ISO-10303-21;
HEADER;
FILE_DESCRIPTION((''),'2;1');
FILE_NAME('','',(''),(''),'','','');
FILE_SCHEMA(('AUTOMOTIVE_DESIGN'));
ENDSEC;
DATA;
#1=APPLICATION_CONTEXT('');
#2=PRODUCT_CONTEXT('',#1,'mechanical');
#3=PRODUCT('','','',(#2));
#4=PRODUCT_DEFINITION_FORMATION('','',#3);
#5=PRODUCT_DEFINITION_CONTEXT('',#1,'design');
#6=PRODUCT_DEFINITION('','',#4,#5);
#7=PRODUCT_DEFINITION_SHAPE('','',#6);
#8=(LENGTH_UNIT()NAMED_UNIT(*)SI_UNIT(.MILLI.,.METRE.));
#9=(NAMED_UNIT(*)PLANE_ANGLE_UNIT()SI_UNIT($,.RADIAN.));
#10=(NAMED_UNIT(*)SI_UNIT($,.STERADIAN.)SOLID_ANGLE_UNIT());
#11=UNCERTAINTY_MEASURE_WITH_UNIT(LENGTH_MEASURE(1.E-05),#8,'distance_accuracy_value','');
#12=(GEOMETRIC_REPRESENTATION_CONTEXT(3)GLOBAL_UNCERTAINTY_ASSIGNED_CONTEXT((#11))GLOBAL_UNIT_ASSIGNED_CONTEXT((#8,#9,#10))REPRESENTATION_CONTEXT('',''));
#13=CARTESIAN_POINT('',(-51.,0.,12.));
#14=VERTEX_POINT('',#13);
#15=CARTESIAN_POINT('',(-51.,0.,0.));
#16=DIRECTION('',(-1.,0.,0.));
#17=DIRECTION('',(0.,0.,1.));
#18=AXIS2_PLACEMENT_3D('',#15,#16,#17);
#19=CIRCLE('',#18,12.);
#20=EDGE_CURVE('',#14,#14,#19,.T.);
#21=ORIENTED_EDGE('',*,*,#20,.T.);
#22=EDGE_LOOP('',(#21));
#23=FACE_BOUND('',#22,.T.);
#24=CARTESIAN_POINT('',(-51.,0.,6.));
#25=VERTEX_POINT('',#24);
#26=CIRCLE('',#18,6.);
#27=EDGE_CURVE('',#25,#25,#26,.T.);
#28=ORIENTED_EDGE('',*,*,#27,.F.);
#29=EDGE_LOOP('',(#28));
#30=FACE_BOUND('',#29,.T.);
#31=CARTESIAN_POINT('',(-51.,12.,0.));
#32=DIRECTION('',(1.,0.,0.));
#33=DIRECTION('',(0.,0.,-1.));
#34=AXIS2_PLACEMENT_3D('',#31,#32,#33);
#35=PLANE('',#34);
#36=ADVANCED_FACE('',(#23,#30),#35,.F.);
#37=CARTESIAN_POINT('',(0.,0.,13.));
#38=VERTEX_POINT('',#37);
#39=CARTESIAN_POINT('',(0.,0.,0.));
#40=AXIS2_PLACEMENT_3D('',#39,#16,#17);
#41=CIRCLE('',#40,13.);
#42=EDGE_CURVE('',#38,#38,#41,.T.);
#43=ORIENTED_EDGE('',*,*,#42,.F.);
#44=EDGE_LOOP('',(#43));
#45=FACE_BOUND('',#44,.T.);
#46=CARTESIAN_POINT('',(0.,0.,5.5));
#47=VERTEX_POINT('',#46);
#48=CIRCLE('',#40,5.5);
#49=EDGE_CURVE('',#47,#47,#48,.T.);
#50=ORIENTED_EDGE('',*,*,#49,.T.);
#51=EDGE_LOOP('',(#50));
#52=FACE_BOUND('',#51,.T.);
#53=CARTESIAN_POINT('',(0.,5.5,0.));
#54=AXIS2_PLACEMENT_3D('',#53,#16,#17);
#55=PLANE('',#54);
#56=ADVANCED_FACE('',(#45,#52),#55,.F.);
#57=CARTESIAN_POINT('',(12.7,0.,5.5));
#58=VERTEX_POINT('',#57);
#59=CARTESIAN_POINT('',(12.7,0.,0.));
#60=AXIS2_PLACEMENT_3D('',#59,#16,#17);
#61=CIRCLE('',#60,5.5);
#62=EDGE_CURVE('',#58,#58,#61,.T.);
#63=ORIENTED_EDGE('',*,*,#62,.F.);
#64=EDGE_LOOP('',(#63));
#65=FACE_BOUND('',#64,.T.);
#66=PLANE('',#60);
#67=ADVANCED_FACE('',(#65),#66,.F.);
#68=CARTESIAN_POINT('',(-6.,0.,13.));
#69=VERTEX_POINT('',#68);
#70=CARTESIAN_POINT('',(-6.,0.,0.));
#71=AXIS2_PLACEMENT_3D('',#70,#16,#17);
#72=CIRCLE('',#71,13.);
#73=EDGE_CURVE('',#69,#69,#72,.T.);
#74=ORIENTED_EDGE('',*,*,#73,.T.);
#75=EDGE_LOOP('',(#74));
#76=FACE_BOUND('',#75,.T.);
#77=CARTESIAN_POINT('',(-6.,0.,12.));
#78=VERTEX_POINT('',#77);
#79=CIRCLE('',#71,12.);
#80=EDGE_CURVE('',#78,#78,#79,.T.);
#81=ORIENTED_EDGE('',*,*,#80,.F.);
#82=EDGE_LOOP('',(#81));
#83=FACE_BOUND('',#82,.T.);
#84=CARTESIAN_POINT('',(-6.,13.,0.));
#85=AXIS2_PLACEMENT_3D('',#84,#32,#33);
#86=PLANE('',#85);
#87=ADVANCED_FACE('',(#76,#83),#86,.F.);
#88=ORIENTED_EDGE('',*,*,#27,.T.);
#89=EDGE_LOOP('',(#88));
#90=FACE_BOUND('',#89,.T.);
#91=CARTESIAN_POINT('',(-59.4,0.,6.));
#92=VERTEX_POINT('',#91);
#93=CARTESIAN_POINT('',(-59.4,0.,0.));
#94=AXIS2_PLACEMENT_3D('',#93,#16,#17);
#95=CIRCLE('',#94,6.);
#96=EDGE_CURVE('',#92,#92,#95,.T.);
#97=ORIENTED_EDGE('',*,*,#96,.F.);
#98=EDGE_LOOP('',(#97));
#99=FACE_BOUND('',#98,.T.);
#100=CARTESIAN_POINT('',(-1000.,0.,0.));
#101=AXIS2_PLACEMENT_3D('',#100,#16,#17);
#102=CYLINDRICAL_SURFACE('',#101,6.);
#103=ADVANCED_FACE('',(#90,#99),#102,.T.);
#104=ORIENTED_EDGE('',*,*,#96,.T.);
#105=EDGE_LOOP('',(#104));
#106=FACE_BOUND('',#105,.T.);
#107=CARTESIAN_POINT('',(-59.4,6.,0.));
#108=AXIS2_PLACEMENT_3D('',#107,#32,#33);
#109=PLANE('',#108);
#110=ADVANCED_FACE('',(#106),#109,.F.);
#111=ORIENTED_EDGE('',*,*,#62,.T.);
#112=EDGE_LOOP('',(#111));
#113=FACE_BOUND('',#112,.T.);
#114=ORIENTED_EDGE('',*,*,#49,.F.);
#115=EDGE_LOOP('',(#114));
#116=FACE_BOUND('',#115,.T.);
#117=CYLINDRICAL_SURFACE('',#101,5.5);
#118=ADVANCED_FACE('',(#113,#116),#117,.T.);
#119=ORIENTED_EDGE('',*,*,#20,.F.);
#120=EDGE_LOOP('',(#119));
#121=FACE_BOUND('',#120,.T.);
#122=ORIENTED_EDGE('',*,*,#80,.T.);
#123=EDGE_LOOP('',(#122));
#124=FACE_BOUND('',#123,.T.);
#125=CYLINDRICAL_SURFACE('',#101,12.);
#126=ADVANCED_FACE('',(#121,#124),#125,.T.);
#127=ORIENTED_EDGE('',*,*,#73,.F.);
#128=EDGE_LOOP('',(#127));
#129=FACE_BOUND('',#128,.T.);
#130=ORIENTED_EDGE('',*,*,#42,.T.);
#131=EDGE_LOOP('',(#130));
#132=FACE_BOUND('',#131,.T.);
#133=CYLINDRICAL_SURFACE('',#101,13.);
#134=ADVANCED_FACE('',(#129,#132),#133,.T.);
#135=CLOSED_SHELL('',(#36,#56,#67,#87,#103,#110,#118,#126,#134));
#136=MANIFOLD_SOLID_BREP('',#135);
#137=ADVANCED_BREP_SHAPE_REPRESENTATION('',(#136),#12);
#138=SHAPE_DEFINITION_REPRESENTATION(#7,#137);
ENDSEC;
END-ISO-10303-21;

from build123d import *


with BuildPart() as part:
    # Sensor_Turck Sketch → Sensor_Turck (revolve)
    with BuildSketch(Plane.XY):
        Polygon((12.7, 0), (12.7, 5.5), (0, 5.5), (0, 13), (-6, 13), (-6, 12), (-51, 12), (-51, 6), (-59.4, 6), (-59.4, 0), align=None)
    revolve(axis=Axis((-1000, 0, 0), (1, 0, 0)))


solid = part.part
